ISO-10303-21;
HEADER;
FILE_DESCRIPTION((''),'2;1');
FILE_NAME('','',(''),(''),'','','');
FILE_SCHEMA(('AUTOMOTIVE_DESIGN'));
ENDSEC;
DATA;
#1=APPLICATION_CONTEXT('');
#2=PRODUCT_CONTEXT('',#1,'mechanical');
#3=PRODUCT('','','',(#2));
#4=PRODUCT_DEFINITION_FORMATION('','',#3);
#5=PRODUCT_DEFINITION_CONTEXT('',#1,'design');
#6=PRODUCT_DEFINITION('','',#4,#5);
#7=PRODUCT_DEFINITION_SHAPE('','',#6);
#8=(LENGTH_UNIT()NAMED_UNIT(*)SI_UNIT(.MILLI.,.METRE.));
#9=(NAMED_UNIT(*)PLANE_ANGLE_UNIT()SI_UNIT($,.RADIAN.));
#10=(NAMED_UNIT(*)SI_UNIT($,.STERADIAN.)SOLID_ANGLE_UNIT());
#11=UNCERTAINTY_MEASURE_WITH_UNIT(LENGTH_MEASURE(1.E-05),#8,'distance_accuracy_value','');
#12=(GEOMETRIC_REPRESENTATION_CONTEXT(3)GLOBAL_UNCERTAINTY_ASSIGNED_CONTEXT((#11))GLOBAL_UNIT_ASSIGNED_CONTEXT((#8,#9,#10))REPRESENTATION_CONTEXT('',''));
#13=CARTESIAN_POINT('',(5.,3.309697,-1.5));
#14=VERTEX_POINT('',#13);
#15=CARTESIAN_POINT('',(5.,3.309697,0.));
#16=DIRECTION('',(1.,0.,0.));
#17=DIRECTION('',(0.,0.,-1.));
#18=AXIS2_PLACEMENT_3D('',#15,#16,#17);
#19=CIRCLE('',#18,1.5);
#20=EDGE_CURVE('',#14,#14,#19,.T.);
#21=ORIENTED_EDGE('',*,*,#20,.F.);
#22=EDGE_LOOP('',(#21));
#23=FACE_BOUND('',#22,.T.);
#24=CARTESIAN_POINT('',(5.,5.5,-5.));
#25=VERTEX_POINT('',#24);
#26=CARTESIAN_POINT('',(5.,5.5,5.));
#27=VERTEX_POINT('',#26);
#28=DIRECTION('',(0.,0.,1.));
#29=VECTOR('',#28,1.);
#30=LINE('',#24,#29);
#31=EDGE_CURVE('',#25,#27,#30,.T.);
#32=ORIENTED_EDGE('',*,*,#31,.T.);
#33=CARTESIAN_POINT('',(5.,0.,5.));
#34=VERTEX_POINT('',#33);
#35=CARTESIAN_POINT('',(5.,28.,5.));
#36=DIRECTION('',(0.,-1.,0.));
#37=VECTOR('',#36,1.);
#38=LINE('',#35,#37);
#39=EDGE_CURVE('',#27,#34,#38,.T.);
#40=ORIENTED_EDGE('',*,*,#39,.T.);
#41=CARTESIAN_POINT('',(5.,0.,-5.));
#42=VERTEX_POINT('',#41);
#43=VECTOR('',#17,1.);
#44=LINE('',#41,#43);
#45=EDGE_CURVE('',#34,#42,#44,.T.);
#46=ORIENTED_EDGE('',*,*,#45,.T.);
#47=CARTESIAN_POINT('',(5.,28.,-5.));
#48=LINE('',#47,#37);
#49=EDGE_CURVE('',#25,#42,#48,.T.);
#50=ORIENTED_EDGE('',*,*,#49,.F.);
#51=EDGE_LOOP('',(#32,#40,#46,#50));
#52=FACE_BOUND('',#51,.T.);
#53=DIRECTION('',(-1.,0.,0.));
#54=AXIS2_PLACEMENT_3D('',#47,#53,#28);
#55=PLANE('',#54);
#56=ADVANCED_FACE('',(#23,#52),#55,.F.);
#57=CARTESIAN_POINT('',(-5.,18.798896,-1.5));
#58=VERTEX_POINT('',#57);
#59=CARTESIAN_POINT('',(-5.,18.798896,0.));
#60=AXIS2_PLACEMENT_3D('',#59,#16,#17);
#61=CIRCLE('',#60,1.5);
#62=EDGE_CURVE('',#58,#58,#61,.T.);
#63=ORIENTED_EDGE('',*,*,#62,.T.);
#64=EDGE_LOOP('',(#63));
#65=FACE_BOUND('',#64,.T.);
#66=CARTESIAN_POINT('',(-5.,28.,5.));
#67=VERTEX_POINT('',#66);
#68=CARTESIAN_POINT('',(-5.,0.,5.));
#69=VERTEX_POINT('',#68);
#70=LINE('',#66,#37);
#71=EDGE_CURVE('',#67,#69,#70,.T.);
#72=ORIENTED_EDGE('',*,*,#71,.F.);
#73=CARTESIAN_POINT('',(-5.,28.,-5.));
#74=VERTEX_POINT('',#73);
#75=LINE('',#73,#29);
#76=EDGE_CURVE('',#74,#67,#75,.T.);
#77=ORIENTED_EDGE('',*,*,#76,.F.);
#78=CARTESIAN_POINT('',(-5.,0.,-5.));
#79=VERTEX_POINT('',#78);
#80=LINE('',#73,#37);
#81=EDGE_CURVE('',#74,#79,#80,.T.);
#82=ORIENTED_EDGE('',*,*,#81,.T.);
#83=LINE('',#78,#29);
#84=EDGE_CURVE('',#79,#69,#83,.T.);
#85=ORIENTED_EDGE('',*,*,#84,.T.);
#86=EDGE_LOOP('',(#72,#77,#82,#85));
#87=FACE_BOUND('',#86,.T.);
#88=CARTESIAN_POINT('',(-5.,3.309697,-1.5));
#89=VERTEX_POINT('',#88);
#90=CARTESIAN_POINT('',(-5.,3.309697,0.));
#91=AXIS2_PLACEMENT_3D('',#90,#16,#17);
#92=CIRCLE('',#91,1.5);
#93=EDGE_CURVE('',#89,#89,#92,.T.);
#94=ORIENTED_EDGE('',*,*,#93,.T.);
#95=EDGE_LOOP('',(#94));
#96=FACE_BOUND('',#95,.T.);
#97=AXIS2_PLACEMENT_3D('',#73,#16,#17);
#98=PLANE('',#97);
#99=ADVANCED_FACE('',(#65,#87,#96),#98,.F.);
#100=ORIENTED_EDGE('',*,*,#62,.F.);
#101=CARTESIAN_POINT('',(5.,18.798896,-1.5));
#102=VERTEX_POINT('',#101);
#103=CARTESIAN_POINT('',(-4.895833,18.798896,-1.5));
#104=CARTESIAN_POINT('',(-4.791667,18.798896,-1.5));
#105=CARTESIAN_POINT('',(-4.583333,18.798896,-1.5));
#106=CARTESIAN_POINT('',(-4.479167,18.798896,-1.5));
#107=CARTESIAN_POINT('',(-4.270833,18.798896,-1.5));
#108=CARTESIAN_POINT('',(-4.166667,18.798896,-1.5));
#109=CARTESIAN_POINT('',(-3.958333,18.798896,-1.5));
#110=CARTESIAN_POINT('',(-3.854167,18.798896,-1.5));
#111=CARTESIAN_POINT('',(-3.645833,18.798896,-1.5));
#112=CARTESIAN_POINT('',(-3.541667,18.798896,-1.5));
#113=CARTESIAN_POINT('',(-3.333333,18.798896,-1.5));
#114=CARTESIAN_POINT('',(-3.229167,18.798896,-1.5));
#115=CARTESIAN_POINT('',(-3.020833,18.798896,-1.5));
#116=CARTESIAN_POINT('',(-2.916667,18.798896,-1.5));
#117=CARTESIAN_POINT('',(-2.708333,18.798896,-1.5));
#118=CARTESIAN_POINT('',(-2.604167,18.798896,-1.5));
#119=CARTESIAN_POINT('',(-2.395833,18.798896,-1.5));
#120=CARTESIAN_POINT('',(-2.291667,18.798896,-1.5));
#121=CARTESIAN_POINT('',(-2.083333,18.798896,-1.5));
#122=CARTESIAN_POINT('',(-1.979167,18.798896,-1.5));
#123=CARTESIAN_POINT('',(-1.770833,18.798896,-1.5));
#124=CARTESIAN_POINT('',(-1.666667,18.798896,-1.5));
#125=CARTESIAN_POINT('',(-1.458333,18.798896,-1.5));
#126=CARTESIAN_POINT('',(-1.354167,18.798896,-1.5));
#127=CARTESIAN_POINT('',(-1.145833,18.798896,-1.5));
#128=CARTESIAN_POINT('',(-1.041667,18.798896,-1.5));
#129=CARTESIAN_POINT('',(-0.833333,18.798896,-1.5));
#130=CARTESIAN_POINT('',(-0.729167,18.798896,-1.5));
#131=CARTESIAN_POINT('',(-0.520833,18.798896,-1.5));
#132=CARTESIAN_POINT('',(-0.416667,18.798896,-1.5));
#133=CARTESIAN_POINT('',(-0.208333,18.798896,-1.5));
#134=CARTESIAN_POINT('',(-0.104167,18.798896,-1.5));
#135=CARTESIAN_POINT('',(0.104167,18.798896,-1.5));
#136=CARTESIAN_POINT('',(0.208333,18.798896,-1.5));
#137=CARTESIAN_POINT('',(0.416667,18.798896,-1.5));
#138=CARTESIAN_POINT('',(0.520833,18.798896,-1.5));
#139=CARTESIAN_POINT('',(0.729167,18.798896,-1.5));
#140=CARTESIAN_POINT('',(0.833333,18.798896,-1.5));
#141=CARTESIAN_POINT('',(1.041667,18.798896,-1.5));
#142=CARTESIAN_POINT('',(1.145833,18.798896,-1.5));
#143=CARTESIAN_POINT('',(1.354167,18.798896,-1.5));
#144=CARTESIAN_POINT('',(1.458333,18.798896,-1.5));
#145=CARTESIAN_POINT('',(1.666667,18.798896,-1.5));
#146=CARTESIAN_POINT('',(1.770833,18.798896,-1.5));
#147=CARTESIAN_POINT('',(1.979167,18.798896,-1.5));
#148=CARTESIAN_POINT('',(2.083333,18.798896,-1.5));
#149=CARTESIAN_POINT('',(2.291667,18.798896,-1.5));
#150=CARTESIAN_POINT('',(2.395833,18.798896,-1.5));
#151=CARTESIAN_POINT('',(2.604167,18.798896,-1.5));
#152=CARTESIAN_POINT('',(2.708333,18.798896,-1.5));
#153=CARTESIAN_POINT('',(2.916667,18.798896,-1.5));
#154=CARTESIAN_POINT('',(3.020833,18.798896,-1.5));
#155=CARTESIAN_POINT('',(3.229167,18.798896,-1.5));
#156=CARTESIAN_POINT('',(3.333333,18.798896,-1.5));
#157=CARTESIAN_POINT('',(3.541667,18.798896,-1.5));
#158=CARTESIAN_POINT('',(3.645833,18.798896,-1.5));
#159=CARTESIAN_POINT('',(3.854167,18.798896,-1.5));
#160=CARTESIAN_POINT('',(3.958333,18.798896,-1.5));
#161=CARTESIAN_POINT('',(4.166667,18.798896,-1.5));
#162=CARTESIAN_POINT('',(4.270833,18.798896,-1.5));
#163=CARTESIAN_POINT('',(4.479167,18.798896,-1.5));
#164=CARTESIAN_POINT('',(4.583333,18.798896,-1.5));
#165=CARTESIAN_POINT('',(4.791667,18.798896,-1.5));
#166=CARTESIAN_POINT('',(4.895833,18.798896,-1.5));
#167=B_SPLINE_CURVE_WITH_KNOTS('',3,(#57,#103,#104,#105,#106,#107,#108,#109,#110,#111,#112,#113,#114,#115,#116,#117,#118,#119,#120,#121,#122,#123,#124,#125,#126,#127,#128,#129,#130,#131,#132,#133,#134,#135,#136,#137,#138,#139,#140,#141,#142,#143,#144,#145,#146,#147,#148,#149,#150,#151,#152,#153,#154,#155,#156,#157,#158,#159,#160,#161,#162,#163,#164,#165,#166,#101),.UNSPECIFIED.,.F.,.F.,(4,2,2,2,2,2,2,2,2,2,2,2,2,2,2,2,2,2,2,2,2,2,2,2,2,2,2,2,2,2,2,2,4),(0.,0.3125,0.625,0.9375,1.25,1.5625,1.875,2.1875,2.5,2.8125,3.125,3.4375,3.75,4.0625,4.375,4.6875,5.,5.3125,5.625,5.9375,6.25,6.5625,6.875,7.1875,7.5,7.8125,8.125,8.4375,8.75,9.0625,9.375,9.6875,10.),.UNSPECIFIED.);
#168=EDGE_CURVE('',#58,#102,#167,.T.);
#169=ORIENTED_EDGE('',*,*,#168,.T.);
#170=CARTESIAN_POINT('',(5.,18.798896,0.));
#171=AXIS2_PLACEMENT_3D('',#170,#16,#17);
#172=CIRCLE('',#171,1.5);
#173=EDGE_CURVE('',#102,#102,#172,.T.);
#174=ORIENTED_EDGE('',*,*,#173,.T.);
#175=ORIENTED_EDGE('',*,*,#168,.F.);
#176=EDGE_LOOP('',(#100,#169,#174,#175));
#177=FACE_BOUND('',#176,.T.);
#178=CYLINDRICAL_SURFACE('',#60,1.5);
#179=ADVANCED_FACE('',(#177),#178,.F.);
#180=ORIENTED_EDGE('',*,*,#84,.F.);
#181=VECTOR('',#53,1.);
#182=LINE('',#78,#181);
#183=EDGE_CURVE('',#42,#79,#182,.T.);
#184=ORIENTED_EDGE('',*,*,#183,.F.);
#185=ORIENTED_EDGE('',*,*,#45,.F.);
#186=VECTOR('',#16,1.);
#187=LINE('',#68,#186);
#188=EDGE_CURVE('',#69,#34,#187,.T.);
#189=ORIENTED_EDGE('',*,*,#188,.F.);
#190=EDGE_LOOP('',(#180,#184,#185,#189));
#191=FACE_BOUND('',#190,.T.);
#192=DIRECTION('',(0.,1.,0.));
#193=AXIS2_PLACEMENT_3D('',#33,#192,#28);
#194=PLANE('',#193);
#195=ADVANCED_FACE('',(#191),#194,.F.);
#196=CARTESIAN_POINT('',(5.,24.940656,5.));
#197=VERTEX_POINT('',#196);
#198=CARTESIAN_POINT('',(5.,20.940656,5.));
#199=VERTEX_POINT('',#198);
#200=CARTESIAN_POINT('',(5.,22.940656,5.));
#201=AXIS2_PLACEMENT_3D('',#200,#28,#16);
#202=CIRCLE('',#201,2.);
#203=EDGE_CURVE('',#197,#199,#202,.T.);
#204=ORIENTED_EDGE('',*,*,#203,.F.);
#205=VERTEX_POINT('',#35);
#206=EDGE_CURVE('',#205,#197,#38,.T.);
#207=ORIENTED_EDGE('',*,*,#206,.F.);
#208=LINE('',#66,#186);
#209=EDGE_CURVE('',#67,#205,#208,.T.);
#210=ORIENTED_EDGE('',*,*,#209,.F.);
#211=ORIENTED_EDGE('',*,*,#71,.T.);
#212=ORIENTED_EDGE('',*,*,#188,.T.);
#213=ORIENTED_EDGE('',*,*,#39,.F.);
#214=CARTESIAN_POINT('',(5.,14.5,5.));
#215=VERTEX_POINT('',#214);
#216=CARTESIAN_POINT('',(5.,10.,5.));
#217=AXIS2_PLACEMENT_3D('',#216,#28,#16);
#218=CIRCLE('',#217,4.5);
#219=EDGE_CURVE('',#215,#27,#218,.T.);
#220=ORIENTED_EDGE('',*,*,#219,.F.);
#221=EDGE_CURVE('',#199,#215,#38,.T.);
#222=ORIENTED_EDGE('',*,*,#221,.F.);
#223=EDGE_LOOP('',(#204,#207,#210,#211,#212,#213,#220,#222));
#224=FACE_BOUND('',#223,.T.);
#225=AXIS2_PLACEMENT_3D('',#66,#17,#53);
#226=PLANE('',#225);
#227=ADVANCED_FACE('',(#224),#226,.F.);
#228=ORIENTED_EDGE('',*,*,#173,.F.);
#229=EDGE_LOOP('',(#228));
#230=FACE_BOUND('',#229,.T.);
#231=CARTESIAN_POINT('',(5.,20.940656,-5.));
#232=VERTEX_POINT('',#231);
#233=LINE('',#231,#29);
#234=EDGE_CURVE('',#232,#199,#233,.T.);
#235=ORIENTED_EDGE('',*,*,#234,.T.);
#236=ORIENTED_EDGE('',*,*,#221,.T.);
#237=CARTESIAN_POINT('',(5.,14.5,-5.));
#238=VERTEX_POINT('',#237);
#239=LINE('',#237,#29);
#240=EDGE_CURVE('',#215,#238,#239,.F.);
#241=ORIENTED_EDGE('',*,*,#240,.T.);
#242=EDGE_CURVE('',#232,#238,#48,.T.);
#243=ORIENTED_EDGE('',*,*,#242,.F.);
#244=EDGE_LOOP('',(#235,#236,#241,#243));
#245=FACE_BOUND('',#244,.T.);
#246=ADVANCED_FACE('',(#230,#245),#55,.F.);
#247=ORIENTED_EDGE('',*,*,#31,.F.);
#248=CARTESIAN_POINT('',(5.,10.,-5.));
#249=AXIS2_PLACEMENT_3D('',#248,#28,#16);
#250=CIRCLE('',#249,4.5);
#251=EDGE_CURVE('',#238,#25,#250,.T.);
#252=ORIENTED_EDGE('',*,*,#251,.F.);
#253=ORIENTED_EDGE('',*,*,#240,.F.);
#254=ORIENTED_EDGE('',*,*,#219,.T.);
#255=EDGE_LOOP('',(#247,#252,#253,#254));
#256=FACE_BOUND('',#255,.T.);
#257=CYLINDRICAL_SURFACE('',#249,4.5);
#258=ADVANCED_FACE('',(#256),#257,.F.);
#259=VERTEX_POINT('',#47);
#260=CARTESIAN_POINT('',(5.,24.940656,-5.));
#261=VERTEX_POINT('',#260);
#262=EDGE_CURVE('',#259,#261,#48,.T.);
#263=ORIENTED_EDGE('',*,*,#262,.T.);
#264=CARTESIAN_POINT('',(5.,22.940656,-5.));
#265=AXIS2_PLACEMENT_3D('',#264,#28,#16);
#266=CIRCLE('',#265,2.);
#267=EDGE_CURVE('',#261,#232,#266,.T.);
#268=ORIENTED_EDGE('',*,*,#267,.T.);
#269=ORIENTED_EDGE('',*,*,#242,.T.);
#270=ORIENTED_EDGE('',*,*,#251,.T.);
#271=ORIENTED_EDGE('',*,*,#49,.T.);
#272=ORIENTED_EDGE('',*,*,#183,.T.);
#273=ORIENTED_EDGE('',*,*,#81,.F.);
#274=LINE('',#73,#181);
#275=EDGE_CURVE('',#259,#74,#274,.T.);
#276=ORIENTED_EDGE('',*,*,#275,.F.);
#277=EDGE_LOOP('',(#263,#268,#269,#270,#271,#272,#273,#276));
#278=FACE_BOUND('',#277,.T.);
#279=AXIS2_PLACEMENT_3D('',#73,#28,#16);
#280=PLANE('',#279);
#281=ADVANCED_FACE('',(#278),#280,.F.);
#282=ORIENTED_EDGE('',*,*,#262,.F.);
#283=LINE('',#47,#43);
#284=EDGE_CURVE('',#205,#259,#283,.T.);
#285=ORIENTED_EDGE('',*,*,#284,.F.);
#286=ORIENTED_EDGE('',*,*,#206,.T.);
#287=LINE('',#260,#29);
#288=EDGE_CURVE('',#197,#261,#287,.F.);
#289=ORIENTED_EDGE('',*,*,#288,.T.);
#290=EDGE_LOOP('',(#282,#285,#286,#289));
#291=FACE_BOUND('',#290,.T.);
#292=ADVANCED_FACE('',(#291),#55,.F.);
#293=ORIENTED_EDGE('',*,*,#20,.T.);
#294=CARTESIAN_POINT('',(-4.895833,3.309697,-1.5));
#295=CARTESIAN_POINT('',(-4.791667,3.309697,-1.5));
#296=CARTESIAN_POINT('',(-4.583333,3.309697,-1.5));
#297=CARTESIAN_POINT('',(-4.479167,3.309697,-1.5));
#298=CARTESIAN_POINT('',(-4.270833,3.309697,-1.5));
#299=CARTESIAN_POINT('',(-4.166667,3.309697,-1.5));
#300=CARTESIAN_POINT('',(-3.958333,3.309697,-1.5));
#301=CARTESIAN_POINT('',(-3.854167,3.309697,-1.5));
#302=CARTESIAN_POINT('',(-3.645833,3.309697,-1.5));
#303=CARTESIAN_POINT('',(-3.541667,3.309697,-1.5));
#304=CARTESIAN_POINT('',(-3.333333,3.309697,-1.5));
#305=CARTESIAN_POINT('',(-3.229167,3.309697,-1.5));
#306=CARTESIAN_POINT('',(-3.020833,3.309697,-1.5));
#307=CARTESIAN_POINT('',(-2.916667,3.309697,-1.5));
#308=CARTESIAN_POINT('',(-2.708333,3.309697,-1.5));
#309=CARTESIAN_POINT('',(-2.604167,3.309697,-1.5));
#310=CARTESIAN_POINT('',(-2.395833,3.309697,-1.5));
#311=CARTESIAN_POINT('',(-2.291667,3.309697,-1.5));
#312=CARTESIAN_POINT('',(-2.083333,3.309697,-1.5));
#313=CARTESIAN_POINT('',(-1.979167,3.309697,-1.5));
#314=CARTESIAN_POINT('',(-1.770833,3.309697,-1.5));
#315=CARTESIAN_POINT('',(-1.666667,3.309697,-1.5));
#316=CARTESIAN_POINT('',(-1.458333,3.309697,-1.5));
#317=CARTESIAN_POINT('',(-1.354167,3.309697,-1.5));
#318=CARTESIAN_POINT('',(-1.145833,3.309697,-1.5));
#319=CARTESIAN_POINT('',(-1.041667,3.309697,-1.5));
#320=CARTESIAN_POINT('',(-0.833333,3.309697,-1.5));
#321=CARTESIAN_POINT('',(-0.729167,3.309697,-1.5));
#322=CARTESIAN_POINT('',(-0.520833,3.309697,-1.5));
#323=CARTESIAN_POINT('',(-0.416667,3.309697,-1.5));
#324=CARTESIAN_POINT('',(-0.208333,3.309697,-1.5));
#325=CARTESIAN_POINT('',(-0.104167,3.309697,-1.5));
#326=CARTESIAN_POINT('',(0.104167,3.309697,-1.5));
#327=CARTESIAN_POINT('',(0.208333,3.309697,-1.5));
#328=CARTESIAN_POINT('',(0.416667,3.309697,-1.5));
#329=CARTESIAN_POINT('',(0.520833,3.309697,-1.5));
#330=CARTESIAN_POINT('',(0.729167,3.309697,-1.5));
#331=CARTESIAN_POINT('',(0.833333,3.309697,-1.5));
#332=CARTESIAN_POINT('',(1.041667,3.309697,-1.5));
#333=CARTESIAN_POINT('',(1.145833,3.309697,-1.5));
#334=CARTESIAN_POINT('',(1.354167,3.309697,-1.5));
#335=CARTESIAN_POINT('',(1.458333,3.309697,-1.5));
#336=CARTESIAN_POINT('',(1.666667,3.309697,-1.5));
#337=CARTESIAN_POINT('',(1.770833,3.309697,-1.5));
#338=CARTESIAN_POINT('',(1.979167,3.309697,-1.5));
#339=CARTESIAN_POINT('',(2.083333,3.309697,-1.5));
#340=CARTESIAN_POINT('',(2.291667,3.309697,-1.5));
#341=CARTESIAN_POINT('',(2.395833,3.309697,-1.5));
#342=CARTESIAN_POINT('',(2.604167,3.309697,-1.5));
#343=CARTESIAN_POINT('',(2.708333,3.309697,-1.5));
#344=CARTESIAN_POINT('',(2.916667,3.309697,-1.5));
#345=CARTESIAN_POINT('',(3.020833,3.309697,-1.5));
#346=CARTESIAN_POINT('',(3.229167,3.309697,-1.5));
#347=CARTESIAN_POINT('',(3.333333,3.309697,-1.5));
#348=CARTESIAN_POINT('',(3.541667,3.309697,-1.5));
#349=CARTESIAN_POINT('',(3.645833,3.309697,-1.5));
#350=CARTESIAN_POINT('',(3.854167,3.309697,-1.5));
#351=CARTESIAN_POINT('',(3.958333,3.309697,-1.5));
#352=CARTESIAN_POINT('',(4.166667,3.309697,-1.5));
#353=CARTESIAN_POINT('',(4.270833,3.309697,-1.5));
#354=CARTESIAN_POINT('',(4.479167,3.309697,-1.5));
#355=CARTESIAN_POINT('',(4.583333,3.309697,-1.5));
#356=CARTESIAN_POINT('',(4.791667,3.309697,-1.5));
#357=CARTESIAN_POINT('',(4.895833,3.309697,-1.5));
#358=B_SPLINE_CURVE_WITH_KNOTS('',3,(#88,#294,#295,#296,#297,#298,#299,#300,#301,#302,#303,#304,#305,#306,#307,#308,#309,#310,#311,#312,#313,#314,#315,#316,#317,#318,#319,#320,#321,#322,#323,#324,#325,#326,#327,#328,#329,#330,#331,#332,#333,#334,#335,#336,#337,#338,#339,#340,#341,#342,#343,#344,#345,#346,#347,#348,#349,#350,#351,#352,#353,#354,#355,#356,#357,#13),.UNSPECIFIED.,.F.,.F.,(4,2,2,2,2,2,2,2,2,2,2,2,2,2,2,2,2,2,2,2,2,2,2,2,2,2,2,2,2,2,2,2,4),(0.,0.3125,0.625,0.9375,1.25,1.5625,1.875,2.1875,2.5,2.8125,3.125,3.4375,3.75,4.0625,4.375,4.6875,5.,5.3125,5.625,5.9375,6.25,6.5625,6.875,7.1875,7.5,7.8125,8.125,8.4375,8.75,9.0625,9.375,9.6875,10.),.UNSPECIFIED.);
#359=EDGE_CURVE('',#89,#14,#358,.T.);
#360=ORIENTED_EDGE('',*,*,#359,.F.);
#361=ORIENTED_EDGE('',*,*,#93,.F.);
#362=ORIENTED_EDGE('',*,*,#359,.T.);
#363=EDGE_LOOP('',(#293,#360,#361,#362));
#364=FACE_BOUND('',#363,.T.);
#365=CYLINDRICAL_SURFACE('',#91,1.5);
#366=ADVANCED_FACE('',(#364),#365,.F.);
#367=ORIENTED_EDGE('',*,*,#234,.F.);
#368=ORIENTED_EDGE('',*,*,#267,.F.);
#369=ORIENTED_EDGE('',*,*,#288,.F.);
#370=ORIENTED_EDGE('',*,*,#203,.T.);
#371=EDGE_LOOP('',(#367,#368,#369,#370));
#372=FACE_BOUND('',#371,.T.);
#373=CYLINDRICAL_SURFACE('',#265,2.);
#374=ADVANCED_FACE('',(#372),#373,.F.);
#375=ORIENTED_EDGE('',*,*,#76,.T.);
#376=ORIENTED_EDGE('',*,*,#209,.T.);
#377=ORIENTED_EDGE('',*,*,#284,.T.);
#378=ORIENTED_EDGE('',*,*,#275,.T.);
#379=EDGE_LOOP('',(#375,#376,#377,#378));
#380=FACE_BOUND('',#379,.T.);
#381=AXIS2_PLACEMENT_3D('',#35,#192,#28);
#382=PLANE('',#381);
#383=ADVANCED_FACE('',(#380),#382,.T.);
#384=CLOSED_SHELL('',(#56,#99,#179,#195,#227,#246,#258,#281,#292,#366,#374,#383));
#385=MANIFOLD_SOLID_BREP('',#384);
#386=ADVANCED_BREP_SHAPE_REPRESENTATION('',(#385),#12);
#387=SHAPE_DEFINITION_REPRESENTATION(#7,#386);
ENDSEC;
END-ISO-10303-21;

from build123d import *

# Parameters (mm, degrees)
SKETCH_1_W            = 10
SKETCH_1_H            = 10
EXTRUDE_1_DEPTH       = 28
SKETCH_2_R            = 4.499999995
CUT_EXTRUDE_2_DEPTH   = 31.149626863
SKETCH_3_R            = 1.5
CUT_EXTRUDE_1_DEPTH   = 31.149626863
SKETCH_4_R            = 1.999999994
CUT_EXTRUDE_2_2_DEPTH = 31.149626863


with BuildPart() as part:
    # Эскиз1 → Вытянуть1 (new body)
    with BuildSketch(Plane(origin=(0, 0, 0), x_dir=(1, 0, 0), z_dir=(0, 1, 0))):
        Rectangle(SKETCH_1_W, SKETCH_1_H)
    extrude(amount=EXTRUDE_1_DEPTH)

    # Эскиз2 → Cut-Extrude 2 (cut, through all)
    with BuildSketch(Plane.XY.offset(5)):
        with Locations((5.000000005, 10.000000001)):
            Circle(SKETCH_2_R)
    extrude(amount=-CUT_EXTRUDE_2_DEPTH, mode=Mode.SUBTRACT)

    # Эскиз3 → Вырез-Вытянуть1 (cut, through all)
    with BuildSketch(Plane(origin=(5, 0, 0), x_dir=(0, 0, -1), z_dir=(1, 0, 0))):
        with Locations((0, 3.309697202)):
            Circle(SKETCH_3_R)
        with Locations((0, 18.798896008)):
            Circle(SKETCH_3_R)
    extrude(amount=-CUT_EXTRUDE_1_DEPTH, mode=Mode.SUBTRACT)

    # Эскиз4 → Cut-Extrude 2 2 (cut, through all)
    with BuildSketch(Plane.XY.offset(5)):
        with Locations((4.999999971, 22.940656165)):
            Circle(SKETCH_4_R)
    extrude(amount=-CUT_EXTRUDE_2_2_DEPTH, mode=Mode.SUBTRACT)


solid = part.part
